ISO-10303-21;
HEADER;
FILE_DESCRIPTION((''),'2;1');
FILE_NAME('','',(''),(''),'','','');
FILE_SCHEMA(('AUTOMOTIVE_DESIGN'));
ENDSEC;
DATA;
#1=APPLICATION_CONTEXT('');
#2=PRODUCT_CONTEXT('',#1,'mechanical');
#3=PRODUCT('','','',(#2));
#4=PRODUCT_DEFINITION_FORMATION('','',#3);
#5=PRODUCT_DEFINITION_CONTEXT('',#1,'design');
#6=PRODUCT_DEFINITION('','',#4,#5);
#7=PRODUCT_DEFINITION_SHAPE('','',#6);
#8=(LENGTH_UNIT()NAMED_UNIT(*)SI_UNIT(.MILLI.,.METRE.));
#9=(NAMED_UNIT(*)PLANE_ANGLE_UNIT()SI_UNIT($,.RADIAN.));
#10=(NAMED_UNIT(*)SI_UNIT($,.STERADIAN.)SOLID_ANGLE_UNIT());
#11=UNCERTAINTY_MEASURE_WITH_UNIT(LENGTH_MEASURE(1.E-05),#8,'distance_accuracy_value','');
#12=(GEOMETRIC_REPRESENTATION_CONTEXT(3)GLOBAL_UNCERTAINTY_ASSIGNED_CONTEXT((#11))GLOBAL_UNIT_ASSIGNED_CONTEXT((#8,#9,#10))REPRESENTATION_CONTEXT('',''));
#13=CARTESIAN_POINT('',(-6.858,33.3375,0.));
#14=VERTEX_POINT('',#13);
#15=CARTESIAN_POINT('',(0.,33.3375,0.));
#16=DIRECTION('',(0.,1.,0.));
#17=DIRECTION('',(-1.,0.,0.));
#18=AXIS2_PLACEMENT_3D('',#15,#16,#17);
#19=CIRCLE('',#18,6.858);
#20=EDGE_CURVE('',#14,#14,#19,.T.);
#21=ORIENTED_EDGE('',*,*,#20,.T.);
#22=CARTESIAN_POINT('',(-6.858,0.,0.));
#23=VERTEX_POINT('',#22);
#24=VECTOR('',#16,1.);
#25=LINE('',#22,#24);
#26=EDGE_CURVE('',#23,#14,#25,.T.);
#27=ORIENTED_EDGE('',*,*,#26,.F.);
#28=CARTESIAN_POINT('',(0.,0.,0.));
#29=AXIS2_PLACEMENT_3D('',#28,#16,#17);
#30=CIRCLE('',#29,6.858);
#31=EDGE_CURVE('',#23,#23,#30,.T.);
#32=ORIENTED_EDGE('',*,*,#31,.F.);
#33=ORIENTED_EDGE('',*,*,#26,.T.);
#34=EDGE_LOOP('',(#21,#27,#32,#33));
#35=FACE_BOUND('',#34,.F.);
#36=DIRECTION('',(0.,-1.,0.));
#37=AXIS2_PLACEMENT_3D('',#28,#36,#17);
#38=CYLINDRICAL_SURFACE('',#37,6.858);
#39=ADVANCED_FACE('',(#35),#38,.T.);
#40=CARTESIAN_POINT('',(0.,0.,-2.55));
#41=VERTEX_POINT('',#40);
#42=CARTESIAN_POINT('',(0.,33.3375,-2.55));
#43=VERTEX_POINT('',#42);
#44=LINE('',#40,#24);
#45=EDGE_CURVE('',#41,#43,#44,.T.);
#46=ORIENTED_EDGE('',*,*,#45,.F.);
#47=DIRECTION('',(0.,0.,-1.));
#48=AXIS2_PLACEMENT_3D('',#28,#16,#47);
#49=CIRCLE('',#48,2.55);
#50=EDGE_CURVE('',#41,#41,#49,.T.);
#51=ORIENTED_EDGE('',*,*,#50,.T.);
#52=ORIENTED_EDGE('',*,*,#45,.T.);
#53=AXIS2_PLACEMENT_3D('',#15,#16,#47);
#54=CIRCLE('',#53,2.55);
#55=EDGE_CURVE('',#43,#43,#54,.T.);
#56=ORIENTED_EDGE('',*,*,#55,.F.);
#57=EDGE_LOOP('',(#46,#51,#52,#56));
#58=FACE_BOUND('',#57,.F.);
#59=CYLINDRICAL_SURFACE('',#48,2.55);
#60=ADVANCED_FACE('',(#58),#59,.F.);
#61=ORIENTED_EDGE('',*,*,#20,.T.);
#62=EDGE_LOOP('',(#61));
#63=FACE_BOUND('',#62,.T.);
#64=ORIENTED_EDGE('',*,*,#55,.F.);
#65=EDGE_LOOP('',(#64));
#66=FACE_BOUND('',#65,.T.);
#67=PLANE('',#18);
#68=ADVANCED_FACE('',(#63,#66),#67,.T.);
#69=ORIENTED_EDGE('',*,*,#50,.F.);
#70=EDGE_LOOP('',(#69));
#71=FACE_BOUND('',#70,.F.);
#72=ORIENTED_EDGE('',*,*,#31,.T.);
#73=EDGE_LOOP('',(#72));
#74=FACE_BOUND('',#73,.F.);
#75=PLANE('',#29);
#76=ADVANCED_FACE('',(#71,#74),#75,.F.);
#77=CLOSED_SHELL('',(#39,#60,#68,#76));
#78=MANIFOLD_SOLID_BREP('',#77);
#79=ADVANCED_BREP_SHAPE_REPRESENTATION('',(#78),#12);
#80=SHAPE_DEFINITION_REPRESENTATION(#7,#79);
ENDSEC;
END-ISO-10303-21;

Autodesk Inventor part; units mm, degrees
ref_plane "YZ Plane" through (0, 0, 0) normal (1, 0, 0) x (0, 1, 0)
ref_plane "XZ Plane" through (0, 0, 0) normal (0, 1, 0) x (-1, 0, 0)
ref_plane "XY Plane" through (0, 0, 0) normal (0, 0, 1) x (1, 0, 0)
sketch "Sketch1" plane through (0, 0, 0) normal (0, 1, 0) x (-1, 0, 0)
  circle A0 centre (0, 0) radius 6.858
  dimension "d0" = 13.716
extrude "Extrusion1" add sketch "Sketch1" along normal blind 33.3375
hole "Hole1" at (0, 0, 0) direction (0, 1, 0) diameter 5.1 end through all
properties part number "grapple-pivot-shaft" material "ABS Plastic"
